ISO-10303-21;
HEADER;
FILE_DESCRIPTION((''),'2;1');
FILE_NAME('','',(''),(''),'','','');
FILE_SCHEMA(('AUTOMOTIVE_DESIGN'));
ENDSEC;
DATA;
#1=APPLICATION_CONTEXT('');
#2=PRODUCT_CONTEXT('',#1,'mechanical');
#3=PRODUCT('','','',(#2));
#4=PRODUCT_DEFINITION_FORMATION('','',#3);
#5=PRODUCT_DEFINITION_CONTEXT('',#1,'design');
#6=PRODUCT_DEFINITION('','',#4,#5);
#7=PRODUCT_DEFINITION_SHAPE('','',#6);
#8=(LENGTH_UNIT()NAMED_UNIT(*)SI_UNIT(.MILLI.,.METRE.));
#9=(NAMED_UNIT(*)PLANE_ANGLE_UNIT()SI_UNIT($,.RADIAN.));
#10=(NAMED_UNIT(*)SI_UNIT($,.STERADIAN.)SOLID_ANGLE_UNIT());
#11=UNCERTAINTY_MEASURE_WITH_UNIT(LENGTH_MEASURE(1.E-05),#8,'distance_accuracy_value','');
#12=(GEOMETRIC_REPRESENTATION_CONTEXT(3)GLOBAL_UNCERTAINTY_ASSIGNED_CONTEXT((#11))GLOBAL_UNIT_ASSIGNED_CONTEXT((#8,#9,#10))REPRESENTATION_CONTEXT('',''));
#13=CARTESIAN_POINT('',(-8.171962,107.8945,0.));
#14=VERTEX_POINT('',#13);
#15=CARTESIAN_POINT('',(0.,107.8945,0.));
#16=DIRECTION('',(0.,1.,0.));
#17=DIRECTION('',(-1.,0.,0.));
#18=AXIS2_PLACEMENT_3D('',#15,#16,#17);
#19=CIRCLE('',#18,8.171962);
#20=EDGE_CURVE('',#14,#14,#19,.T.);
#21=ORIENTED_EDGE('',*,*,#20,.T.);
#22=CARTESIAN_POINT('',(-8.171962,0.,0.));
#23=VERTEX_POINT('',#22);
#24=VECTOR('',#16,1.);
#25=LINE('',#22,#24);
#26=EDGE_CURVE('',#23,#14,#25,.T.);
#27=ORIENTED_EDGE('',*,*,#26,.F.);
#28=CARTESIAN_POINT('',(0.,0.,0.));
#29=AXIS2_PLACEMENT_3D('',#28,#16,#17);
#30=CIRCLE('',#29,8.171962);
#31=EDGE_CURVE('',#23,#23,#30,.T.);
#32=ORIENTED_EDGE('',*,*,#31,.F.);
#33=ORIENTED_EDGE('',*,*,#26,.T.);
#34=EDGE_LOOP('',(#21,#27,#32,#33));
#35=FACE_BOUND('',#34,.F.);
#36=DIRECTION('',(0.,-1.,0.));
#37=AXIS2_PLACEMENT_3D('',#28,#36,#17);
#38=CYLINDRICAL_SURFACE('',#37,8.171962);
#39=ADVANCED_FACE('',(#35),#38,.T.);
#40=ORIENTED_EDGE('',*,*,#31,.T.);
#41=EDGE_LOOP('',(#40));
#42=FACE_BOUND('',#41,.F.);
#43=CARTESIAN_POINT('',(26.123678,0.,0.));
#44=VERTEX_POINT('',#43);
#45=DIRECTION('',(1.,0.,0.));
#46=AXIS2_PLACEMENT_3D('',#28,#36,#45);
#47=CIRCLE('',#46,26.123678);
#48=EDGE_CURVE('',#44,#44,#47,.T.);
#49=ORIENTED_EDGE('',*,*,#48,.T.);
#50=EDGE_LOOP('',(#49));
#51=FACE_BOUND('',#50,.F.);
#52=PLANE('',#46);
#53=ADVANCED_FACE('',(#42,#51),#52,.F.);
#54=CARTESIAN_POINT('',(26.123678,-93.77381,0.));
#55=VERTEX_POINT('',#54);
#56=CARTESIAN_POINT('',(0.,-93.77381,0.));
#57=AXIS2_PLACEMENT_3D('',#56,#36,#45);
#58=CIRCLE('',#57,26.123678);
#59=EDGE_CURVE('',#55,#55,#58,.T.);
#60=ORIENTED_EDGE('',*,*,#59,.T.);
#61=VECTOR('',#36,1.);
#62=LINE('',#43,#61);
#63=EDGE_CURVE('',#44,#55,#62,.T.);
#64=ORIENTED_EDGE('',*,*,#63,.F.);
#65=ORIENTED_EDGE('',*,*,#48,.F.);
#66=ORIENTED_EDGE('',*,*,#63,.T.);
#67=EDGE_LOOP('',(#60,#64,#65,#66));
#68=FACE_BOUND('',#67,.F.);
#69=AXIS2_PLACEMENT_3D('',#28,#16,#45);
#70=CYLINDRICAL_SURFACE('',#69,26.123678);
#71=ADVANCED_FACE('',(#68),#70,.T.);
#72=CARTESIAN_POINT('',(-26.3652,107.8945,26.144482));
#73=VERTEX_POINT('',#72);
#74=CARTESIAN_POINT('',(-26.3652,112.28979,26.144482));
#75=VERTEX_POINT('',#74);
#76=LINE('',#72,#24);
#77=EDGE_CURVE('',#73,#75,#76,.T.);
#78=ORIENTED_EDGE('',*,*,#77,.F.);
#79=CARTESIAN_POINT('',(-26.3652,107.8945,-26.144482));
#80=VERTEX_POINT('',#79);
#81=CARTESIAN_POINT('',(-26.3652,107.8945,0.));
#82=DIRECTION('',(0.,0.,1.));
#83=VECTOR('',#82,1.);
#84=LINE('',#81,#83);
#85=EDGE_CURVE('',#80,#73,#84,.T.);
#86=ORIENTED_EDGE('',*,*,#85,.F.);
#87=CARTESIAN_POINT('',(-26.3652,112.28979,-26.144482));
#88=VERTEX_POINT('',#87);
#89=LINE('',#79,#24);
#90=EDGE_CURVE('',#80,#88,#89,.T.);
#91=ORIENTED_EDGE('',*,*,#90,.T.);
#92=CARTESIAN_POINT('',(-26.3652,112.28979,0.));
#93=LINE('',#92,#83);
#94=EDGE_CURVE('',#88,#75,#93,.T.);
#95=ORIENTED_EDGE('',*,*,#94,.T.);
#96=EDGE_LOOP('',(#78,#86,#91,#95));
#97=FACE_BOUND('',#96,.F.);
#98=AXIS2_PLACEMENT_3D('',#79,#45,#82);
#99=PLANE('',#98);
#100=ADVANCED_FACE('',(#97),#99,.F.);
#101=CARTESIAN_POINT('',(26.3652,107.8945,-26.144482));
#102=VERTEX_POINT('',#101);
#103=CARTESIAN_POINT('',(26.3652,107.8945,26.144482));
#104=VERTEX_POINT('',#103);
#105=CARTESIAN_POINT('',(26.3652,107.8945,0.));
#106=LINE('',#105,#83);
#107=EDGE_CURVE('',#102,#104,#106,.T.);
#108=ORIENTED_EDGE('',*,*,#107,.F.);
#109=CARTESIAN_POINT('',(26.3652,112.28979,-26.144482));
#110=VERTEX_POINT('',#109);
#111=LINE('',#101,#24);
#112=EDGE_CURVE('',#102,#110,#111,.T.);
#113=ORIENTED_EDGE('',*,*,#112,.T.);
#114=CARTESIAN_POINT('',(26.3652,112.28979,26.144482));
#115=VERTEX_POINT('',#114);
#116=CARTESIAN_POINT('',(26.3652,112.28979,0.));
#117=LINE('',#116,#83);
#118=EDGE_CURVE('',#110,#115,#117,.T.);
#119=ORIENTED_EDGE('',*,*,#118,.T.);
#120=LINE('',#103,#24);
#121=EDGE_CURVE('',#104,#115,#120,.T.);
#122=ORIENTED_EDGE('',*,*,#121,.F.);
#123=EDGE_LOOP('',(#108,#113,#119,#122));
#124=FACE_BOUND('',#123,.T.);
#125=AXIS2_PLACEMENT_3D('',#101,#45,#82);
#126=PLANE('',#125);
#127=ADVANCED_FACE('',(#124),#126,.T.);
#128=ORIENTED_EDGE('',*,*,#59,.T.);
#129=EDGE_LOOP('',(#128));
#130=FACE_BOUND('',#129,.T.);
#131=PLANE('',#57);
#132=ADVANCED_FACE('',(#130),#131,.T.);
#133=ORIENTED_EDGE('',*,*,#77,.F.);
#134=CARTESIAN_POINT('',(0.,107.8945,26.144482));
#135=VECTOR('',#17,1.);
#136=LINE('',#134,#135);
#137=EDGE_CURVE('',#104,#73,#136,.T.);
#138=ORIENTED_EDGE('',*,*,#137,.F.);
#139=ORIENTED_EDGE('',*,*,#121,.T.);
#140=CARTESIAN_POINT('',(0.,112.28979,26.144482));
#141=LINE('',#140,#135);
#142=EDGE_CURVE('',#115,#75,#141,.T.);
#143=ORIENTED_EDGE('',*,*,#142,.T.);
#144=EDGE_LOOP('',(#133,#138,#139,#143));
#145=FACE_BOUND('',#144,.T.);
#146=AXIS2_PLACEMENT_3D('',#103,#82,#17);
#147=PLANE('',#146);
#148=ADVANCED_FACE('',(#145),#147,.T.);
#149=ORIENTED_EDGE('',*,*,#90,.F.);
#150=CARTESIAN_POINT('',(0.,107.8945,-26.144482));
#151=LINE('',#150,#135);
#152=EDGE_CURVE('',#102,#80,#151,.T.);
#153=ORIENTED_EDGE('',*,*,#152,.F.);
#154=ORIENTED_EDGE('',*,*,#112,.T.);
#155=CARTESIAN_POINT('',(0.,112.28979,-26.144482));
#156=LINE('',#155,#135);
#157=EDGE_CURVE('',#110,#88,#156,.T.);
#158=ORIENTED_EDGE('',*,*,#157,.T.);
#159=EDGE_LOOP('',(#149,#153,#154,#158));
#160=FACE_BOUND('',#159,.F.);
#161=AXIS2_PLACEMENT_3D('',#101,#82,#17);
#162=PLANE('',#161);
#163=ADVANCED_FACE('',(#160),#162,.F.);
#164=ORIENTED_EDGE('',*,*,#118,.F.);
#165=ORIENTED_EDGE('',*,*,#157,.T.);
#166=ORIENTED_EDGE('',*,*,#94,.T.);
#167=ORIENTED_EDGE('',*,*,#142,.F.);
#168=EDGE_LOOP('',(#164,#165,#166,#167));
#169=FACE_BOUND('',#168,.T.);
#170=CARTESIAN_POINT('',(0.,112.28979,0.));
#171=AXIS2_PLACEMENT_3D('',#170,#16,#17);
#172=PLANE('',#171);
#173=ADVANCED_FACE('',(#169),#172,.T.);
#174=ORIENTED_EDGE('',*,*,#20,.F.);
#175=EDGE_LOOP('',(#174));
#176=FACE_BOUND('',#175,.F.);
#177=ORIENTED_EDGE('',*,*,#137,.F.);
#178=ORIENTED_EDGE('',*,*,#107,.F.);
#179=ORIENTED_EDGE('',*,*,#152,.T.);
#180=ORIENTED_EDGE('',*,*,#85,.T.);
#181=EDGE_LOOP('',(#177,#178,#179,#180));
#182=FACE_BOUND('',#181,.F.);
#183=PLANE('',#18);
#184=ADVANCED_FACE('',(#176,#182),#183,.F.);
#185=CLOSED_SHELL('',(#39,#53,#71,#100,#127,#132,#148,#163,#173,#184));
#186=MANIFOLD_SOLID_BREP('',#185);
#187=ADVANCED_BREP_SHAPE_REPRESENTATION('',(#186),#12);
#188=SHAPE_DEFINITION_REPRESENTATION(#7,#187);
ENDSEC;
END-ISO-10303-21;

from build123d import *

# Parameters (mm, degrees)
F0_R     = 26.123678
F1_DEPTH = 93.77381
F2_R     = 8.171962
F3_DEPTH = 107.8945
F4_W     = 52.7304
F4_H     = 52.288964
F5_DEPTH = 4.39529


with BuildPart() as f1:
    # F0 (on Front) → F1 (new body)
    with BuildSketch(Plane.XZ):
        Circle(F0_R)
    extrude(amount=F1_DEPTH)

    # F2 (on face) → F3 (join)
    with BuildSketch(Plane(origin=(0, 0, 0), x_dir=(-1, 0, 0), z_dir=(0, 1, 0))):
        Circle(F2_R)
    extrude(amount=F3_DEPTH)

    # F4 (on face) → F5 (join)
    with BuildSketch(Plane(origin=(0, 107.8945, 0), x_dir=(-1, 0, 0), z_dir=(0, 1, 0))):
        Rectangle(F4_W, F4_H)
    extrude(amount=F5_DEPTH)


solid = f1.part
